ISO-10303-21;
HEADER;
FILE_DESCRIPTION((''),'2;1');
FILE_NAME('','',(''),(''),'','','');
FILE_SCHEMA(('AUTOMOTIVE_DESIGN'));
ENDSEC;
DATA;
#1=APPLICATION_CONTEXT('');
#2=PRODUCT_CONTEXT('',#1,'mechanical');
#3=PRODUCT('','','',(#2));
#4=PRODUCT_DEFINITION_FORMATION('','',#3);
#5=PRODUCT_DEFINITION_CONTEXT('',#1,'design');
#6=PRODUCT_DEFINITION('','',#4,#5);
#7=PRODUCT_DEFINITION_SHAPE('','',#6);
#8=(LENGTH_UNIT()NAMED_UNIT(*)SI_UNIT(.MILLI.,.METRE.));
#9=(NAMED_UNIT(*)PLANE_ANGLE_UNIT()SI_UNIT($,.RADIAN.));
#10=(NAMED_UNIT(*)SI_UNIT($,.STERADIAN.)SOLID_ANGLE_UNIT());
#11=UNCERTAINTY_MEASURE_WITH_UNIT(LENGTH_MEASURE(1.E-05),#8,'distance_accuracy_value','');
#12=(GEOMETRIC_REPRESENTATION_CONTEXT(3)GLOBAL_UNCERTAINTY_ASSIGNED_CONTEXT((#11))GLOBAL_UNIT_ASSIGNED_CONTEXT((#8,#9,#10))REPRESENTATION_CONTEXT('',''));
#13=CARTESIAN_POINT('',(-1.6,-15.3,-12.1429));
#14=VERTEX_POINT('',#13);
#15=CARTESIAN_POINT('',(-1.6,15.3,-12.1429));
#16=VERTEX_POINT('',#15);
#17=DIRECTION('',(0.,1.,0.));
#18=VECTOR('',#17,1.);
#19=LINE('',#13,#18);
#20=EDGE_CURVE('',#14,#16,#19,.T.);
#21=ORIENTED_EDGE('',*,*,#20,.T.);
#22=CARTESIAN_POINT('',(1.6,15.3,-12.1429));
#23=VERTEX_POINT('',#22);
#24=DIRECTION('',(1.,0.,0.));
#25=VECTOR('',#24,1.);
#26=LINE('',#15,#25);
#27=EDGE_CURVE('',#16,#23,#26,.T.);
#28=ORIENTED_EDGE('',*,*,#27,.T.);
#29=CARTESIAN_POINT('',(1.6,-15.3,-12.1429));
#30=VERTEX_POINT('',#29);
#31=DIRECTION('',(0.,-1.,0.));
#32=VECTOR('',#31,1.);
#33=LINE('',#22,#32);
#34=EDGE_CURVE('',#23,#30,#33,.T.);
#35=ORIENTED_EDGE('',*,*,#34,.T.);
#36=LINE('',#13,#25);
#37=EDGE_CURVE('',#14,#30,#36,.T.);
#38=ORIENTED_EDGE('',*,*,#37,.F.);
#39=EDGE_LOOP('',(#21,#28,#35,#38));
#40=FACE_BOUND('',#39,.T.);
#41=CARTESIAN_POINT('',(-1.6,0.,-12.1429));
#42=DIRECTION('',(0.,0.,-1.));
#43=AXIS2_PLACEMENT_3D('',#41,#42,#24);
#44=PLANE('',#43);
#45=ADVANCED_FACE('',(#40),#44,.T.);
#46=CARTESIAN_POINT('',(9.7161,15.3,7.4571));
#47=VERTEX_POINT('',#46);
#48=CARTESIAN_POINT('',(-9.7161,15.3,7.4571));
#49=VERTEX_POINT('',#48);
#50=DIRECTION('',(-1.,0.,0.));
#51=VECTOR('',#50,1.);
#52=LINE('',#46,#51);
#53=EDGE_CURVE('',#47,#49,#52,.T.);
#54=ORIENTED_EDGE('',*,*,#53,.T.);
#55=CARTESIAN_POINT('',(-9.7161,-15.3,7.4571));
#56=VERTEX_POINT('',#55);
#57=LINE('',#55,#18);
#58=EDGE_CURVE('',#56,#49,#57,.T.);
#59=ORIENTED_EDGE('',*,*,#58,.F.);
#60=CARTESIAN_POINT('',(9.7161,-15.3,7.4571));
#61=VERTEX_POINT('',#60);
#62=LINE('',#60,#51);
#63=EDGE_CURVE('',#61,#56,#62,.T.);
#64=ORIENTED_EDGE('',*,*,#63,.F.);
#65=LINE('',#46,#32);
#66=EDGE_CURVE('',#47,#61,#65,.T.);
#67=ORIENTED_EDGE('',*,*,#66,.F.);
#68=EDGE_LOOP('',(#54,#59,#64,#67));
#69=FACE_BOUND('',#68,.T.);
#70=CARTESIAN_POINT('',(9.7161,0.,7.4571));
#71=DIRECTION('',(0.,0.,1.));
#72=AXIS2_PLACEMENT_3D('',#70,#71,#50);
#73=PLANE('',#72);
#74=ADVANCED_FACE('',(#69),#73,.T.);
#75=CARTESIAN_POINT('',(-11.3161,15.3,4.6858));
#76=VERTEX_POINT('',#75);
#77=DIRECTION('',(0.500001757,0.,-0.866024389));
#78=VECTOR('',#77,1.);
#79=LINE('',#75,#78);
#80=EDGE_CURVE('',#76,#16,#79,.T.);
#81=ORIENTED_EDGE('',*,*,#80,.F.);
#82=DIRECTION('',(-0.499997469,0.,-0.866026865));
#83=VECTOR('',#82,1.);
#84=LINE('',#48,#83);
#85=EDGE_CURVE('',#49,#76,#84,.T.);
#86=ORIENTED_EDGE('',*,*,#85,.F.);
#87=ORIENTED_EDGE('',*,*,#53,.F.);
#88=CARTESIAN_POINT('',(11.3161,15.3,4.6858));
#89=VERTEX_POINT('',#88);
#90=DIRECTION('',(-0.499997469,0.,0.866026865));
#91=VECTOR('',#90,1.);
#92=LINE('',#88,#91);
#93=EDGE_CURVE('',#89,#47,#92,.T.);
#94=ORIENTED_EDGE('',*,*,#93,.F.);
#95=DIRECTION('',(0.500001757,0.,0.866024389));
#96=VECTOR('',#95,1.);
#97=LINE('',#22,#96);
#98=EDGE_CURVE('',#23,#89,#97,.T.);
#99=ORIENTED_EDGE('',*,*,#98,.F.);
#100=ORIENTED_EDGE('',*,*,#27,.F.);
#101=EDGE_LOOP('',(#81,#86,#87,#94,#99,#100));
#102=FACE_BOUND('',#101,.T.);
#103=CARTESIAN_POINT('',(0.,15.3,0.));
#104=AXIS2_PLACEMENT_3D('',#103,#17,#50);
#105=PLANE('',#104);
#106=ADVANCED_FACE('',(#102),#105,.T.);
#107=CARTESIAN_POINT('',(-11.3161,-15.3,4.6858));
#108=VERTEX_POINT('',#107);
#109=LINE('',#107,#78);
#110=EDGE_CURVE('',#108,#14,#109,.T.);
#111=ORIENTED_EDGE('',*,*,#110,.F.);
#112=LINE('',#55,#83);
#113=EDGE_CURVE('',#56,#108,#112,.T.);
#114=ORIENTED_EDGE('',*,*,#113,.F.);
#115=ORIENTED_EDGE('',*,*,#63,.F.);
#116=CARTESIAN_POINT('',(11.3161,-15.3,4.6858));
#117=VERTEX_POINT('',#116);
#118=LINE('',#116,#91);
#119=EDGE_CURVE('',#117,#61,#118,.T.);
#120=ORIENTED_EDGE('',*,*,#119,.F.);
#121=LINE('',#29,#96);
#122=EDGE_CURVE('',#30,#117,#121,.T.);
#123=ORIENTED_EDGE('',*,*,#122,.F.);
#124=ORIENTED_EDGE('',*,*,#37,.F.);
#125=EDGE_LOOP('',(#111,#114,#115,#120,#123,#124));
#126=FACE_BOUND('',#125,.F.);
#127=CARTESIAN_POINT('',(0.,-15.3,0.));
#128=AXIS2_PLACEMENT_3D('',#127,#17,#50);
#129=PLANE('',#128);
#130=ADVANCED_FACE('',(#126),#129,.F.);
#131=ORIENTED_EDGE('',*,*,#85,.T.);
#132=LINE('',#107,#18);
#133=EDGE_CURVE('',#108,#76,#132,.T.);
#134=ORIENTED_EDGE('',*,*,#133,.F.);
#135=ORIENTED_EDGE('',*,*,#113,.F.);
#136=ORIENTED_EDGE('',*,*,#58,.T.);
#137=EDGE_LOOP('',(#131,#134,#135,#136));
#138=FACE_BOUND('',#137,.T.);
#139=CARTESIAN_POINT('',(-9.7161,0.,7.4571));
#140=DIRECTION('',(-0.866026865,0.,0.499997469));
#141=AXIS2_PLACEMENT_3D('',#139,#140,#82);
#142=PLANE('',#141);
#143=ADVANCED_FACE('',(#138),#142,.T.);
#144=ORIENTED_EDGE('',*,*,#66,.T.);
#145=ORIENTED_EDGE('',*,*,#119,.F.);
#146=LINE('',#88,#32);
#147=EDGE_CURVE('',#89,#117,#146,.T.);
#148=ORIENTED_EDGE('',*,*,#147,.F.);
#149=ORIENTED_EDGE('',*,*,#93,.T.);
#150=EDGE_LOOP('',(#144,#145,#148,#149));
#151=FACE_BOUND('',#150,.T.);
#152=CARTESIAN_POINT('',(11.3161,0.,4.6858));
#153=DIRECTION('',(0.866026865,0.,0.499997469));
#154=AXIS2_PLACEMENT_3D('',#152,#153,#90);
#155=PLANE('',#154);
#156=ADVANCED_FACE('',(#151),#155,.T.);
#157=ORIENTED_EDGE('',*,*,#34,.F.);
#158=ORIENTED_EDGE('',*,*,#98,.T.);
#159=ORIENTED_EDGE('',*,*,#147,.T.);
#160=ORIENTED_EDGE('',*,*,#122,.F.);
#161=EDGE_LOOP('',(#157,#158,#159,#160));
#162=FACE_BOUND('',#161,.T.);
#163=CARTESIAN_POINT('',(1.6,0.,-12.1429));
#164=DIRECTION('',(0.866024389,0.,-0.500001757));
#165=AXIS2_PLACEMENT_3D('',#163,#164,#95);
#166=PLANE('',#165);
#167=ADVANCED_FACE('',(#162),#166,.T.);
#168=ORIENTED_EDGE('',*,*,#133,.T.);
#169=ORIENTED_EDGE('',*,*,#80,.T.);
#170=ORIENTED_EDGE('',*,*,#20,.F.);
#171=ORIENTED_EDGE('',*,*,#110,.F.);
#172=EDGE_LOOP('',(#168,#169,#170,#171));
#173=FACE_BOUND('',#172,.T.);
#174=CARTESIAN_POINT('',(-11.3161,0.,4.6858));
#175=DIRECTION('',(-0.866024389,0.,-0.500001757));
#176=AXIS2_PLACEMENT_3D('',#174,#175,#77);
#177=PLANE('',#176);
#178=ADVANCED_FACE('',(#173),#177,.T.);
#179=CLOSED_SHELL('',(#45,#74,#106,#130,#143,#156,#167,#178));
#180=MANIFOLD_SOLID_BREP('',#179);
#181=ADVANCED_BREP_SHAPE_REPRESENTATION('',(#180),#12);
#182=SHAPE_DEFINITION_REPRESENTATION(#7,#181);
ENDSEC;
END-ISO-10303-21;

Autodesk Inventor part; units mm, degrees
ref_plane "YZ Plane" through (0, 0, 0) normal (1, 0, 0) x (0, 1, 0)
ref_plane "XZ Plane" through (0, 0, 0) normal (0, 1, 0) x (-1, 0, 0)
ref_plane "XY Plane" through (0, 0, 0) normal (0, 0, 1) x (1, 0, 0)
sketch "Sketch1" plane through (0, 0, 0) normal (0, 1, 0) x (-1, 0, 0)
  line L0 (1.6, -12.1429) -> (-1.6, -12.1429)
  line L1 (-1.6, -12.1429) -> (-11.3161, 4.6858)
  line L2 (-11.3161, 4.6858) -> (-9.7161, 7.4571)
  line L3 (-9.7161, 7.4571) -> (9.7161, 7.4571)
  line L4 (9.7161, 7.4571) -> (11.3161, 4.6858)
  line L5 (11.3161, 4.6858) -> (1.6, -12.1429)
  circle A0 centre (0, 0) radius 7.4571 construction
  dimension "d0" = 19.6
  dimension "d1" = 3.2
  dimension "d4" = 14.9142
extrude "Extrusion1" add sketch "Sketch1" along normal mid plane 30.6
properties part number "FactionSpecial_Council_CommandToken" material "ABS Plastic"
